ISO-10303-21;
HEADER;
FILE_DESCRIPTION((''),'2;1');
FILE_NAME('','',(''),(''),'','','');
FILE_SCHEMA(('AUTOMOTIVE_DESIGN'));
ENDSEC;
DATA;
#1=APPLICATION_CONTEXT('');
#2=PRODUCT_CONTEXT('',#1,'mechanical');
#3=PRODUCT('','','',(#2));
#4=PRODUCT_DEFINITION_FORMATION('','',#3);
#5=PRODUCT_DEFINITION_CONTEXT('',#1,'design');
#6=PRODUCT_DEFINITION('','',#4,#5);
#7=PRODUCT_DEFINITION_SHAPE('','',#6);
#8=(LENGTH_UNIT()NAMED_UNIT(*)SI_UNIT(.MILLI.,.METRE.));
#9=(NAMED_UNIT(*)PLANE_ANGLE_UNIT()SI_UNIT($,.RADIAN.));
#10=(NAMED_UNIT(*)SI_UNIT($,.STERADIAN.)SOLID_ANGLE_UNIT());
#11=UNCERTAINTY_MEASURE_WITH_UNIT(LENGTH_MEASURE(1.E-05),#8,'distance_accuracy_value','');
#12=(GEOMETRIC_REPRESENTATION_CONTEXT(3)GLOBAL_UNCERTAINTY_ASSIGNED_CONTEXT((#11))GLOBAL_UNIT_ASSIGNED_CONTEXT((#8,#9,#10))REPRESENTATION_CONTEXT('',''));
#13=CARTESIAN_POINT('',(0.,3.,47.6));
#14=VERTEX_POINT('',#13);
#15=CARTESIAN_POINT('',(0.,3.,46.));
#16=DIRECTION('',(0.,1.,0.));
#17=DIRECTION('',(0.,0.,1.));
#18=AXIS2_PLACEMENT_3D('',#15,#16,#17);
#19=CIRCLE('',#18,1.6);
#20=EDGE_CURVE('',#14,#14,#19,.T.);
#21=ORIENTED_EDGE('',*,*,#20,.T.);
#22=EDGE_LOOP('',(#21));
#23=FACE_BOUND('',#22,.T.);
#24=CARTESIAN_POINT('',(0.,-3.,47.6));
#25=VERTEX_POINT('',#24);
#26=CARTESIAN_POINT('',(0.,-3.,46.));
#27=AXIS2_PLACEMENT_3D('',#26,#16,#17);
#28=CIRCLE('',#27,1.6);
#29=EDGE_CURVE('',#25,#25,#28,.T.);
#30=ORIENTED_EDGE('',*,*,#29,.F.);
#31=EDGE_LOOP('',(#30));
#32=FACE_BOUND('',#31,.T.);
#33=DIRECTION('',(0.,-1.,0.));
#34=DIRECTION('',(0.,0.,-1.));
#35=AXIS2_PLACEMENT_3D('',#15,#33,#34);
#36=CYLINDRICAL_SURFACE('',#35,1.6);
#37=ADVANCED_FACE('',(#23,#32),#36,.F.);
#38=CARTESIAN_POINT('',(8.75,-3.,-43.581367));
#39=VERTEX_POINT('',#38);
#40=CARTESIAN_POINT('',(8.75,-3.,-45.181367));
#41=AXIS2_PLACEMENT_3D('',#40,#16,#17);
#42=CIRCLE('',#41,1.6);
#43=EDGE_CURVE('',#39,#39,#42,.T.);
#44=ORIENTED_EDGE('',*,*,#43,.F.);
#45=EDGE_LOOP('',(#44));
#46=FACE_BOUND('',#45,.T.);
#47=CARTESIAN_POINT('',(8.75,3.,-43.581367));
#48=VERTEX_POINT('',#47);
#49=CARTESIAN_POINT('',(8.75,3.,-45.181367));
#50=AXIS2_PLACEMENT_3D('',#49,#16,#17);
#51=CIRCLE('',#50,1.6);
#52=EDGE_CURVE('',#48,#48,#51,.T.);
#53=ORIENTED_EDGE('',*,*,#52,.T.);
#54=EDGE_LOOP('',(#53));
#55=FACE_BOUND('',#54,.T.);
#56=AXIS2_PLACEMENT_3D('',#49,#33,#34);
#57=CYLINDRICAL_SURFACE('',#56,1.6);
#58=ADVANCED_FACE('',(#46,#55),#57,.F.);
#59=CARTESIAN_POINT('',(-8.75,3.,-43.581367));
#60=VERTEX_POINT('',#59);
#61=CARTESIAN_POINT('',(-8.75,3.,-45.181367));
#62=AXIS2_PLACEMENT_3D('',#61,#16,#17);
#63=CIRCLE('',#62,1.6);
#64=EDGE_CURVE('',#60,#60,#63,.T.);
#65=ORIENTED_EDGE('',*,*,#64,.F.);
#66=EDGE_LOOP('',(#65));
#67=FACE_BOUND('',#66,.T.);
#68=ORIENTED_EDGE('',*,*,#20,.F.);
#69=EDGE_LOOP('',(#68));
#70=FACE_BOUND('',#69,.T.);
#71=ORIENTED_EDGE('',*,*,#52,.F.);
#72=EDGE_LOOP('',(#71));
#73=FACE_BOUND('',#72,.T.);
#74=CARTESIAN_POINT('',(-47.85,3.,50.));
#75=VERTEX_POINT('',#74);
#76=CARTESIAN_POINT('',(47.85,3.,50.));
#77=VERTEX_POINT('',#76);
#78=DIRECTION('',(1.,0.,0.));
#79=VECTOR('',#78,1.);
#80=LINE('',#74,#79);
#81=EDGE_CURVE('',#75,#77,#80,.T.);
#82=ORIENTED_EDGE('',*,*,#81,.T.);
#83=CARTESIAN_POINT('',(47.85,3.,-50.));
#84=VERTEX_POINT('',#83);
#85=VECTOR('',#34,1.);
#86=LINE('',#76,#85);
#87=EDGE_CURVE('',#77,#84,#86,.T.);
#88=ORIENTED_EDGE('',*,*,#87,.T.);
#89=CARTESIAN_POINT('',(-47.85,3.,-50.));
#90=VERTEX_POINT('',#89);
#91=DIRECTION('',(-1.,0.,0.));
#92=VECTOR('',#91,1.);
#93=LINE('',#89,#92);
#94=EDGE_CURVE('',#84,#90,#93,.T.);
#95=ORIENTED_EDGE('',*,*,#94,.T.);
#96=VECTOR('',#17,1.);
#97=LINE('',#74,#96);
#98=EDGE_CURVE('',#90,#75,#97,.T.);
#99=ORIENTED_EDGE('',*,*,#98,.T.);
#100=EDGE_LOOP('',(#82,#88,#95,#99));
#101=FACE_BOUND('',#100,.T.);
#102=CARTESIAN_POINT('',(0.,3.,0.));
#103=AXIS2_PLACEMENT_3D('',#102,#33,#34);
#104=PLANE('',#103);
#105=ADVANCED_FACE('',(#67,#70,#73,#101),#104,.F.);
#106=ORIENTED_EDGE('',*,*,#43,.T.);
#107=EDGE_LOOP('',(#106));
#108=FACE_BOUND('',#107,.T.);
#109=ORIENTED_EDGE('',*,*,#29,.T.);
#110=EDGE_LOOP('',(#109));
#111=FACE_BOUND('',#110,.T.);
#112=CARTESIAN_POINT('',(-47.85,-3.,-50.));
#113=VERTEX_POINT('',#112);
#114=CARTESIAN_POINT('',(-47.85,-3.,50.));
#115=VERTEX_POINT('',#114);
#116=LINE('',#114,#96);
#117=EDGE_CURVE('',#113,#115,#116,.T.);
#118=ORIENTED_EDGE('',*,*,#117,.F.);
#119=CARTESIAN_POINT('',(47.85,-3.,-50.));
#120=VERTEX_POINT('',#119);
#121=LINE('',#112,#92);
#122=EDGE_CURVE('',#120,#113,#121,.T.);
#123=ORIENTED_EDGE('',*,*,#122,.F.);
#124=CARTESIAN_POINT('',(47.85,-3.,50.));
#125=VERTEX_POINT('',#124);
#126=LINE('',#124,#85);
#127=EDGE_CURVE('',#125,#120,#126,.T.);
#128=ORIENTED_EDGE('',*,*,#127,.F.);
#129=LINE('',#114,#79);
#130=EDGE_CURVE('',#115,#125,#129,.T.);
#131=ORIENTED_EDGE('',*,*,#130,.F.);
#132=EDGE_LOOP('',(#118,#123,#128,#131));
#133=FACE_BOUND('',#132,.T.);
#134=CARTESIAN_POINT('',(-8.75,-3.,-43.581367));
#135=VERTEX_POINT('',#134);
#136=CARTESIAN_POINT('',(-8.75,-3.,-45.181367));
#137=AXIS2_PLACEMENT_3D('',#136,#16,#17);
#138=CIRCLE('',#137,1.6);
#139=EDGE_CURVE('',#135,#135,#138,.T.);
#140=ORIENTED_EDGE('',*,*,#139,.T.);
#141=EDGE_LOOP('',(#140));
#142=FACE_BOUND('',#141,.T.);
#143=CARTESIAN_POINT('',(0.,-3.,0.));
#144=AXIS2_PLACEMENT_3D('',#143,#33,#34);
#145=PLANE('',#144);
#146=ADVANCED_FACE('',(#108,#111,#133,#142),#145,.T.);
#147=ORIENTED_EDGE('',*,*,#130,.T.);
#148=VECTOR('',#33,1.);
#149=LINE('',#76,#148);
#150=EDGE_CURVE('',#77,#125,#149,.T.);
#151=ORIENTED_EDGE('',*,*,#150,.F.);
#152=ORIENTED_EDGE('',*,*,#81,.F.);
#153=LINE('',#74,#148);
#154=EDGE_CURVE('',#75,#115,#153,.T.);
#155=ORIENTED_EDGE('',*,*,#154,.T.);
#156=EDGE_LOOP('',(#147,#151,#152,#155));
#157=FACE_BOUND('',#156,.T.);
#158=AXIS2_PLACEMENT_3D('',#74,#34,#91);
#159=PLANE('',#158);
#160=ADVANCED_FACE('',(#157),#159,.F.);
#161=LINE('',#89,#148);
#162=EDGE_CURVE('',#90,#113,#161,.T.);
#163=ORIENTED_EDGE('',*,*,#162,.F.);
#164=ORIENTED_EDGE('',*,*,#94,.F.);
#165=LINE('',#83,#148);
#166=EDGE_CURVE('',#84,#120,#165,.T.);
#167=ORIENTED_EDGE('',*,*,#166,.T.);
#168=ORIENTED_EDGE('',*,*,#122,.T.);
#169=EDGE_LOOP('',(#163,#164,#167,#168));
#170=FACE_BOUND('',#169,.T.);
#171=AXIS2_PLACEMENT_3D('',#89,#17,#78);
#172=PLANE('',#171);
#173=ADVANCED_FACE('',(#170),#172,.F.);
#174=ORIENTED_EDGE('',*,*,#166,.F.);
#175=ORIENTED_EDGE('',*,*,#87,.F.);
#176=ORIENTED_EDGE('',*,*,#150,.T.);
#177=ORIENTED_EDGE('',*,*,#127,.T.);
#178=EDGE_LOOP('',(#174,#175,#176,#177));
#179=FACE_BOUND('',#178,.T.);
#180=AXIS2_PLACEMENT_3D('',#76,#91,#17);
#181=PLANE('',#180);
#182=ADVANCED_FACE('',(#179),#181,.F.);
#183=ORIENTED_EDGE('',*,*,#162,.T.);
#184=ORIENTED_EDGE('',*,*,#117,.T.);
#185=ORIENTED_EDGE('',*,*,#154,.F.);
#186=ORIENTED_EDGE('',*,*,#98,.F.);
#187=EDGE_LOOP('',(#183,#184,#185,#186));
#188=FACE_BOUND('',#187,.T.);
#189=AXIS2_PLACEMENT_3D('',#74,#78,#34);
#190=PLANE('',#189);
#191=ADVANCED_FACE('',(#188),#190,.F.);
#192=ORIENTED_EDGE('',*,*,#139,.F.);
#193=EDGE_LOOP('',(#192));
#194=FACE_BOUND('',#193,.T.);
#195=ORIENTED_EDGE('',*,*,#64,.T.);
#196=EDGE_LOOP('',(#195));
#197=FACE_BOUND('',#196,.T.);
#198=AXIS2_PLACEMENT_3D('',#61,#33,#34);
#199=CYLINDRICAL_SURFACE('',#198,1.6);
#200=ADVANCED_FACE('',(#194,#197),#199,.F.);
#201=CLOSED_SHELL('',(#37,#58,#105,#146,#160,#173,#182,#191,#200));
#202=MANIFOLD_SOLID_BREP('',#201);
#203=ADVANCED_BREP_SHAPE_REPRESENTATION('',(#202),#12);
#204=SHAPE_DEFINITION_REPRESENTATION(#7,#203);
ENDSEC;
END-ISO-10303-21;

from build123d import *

# Parameters (mm, degrees)
SKETCH1_W           = 95.7
SKETCH1_H           = 100
SKETCH1_R           = 1.6
BOSS_EXTRUDE1_DEPTH = 3


with BuildPart() as part:
    # Sketch1 → Boss-Extrude1 (new body, symmetric)
    with BuildSketch(Plane(origin=(0, 0, 0), x_dir=(1, 0, 0), z_dir=(0, 1, 0))):
        Rectangle(SKETCH1_W, SKETCH1_H)
        with Locations((-8.75, 45.181367204)):
            Circle(SKETCH1_R, mode=Mode.SUBTRACT)
        with Locations((8.75, 45.181367204)):
            Circle(SKETCH1_R, mode=Mode.SUBTRACT)
        with Locations((0, -46)):
            Circle(SKETCH1_R, mode=Mode.SUBTRACT)
    extrude(amount=BOSS_EXTRUDE1_DEPTH, both=True)


solid = part.part
